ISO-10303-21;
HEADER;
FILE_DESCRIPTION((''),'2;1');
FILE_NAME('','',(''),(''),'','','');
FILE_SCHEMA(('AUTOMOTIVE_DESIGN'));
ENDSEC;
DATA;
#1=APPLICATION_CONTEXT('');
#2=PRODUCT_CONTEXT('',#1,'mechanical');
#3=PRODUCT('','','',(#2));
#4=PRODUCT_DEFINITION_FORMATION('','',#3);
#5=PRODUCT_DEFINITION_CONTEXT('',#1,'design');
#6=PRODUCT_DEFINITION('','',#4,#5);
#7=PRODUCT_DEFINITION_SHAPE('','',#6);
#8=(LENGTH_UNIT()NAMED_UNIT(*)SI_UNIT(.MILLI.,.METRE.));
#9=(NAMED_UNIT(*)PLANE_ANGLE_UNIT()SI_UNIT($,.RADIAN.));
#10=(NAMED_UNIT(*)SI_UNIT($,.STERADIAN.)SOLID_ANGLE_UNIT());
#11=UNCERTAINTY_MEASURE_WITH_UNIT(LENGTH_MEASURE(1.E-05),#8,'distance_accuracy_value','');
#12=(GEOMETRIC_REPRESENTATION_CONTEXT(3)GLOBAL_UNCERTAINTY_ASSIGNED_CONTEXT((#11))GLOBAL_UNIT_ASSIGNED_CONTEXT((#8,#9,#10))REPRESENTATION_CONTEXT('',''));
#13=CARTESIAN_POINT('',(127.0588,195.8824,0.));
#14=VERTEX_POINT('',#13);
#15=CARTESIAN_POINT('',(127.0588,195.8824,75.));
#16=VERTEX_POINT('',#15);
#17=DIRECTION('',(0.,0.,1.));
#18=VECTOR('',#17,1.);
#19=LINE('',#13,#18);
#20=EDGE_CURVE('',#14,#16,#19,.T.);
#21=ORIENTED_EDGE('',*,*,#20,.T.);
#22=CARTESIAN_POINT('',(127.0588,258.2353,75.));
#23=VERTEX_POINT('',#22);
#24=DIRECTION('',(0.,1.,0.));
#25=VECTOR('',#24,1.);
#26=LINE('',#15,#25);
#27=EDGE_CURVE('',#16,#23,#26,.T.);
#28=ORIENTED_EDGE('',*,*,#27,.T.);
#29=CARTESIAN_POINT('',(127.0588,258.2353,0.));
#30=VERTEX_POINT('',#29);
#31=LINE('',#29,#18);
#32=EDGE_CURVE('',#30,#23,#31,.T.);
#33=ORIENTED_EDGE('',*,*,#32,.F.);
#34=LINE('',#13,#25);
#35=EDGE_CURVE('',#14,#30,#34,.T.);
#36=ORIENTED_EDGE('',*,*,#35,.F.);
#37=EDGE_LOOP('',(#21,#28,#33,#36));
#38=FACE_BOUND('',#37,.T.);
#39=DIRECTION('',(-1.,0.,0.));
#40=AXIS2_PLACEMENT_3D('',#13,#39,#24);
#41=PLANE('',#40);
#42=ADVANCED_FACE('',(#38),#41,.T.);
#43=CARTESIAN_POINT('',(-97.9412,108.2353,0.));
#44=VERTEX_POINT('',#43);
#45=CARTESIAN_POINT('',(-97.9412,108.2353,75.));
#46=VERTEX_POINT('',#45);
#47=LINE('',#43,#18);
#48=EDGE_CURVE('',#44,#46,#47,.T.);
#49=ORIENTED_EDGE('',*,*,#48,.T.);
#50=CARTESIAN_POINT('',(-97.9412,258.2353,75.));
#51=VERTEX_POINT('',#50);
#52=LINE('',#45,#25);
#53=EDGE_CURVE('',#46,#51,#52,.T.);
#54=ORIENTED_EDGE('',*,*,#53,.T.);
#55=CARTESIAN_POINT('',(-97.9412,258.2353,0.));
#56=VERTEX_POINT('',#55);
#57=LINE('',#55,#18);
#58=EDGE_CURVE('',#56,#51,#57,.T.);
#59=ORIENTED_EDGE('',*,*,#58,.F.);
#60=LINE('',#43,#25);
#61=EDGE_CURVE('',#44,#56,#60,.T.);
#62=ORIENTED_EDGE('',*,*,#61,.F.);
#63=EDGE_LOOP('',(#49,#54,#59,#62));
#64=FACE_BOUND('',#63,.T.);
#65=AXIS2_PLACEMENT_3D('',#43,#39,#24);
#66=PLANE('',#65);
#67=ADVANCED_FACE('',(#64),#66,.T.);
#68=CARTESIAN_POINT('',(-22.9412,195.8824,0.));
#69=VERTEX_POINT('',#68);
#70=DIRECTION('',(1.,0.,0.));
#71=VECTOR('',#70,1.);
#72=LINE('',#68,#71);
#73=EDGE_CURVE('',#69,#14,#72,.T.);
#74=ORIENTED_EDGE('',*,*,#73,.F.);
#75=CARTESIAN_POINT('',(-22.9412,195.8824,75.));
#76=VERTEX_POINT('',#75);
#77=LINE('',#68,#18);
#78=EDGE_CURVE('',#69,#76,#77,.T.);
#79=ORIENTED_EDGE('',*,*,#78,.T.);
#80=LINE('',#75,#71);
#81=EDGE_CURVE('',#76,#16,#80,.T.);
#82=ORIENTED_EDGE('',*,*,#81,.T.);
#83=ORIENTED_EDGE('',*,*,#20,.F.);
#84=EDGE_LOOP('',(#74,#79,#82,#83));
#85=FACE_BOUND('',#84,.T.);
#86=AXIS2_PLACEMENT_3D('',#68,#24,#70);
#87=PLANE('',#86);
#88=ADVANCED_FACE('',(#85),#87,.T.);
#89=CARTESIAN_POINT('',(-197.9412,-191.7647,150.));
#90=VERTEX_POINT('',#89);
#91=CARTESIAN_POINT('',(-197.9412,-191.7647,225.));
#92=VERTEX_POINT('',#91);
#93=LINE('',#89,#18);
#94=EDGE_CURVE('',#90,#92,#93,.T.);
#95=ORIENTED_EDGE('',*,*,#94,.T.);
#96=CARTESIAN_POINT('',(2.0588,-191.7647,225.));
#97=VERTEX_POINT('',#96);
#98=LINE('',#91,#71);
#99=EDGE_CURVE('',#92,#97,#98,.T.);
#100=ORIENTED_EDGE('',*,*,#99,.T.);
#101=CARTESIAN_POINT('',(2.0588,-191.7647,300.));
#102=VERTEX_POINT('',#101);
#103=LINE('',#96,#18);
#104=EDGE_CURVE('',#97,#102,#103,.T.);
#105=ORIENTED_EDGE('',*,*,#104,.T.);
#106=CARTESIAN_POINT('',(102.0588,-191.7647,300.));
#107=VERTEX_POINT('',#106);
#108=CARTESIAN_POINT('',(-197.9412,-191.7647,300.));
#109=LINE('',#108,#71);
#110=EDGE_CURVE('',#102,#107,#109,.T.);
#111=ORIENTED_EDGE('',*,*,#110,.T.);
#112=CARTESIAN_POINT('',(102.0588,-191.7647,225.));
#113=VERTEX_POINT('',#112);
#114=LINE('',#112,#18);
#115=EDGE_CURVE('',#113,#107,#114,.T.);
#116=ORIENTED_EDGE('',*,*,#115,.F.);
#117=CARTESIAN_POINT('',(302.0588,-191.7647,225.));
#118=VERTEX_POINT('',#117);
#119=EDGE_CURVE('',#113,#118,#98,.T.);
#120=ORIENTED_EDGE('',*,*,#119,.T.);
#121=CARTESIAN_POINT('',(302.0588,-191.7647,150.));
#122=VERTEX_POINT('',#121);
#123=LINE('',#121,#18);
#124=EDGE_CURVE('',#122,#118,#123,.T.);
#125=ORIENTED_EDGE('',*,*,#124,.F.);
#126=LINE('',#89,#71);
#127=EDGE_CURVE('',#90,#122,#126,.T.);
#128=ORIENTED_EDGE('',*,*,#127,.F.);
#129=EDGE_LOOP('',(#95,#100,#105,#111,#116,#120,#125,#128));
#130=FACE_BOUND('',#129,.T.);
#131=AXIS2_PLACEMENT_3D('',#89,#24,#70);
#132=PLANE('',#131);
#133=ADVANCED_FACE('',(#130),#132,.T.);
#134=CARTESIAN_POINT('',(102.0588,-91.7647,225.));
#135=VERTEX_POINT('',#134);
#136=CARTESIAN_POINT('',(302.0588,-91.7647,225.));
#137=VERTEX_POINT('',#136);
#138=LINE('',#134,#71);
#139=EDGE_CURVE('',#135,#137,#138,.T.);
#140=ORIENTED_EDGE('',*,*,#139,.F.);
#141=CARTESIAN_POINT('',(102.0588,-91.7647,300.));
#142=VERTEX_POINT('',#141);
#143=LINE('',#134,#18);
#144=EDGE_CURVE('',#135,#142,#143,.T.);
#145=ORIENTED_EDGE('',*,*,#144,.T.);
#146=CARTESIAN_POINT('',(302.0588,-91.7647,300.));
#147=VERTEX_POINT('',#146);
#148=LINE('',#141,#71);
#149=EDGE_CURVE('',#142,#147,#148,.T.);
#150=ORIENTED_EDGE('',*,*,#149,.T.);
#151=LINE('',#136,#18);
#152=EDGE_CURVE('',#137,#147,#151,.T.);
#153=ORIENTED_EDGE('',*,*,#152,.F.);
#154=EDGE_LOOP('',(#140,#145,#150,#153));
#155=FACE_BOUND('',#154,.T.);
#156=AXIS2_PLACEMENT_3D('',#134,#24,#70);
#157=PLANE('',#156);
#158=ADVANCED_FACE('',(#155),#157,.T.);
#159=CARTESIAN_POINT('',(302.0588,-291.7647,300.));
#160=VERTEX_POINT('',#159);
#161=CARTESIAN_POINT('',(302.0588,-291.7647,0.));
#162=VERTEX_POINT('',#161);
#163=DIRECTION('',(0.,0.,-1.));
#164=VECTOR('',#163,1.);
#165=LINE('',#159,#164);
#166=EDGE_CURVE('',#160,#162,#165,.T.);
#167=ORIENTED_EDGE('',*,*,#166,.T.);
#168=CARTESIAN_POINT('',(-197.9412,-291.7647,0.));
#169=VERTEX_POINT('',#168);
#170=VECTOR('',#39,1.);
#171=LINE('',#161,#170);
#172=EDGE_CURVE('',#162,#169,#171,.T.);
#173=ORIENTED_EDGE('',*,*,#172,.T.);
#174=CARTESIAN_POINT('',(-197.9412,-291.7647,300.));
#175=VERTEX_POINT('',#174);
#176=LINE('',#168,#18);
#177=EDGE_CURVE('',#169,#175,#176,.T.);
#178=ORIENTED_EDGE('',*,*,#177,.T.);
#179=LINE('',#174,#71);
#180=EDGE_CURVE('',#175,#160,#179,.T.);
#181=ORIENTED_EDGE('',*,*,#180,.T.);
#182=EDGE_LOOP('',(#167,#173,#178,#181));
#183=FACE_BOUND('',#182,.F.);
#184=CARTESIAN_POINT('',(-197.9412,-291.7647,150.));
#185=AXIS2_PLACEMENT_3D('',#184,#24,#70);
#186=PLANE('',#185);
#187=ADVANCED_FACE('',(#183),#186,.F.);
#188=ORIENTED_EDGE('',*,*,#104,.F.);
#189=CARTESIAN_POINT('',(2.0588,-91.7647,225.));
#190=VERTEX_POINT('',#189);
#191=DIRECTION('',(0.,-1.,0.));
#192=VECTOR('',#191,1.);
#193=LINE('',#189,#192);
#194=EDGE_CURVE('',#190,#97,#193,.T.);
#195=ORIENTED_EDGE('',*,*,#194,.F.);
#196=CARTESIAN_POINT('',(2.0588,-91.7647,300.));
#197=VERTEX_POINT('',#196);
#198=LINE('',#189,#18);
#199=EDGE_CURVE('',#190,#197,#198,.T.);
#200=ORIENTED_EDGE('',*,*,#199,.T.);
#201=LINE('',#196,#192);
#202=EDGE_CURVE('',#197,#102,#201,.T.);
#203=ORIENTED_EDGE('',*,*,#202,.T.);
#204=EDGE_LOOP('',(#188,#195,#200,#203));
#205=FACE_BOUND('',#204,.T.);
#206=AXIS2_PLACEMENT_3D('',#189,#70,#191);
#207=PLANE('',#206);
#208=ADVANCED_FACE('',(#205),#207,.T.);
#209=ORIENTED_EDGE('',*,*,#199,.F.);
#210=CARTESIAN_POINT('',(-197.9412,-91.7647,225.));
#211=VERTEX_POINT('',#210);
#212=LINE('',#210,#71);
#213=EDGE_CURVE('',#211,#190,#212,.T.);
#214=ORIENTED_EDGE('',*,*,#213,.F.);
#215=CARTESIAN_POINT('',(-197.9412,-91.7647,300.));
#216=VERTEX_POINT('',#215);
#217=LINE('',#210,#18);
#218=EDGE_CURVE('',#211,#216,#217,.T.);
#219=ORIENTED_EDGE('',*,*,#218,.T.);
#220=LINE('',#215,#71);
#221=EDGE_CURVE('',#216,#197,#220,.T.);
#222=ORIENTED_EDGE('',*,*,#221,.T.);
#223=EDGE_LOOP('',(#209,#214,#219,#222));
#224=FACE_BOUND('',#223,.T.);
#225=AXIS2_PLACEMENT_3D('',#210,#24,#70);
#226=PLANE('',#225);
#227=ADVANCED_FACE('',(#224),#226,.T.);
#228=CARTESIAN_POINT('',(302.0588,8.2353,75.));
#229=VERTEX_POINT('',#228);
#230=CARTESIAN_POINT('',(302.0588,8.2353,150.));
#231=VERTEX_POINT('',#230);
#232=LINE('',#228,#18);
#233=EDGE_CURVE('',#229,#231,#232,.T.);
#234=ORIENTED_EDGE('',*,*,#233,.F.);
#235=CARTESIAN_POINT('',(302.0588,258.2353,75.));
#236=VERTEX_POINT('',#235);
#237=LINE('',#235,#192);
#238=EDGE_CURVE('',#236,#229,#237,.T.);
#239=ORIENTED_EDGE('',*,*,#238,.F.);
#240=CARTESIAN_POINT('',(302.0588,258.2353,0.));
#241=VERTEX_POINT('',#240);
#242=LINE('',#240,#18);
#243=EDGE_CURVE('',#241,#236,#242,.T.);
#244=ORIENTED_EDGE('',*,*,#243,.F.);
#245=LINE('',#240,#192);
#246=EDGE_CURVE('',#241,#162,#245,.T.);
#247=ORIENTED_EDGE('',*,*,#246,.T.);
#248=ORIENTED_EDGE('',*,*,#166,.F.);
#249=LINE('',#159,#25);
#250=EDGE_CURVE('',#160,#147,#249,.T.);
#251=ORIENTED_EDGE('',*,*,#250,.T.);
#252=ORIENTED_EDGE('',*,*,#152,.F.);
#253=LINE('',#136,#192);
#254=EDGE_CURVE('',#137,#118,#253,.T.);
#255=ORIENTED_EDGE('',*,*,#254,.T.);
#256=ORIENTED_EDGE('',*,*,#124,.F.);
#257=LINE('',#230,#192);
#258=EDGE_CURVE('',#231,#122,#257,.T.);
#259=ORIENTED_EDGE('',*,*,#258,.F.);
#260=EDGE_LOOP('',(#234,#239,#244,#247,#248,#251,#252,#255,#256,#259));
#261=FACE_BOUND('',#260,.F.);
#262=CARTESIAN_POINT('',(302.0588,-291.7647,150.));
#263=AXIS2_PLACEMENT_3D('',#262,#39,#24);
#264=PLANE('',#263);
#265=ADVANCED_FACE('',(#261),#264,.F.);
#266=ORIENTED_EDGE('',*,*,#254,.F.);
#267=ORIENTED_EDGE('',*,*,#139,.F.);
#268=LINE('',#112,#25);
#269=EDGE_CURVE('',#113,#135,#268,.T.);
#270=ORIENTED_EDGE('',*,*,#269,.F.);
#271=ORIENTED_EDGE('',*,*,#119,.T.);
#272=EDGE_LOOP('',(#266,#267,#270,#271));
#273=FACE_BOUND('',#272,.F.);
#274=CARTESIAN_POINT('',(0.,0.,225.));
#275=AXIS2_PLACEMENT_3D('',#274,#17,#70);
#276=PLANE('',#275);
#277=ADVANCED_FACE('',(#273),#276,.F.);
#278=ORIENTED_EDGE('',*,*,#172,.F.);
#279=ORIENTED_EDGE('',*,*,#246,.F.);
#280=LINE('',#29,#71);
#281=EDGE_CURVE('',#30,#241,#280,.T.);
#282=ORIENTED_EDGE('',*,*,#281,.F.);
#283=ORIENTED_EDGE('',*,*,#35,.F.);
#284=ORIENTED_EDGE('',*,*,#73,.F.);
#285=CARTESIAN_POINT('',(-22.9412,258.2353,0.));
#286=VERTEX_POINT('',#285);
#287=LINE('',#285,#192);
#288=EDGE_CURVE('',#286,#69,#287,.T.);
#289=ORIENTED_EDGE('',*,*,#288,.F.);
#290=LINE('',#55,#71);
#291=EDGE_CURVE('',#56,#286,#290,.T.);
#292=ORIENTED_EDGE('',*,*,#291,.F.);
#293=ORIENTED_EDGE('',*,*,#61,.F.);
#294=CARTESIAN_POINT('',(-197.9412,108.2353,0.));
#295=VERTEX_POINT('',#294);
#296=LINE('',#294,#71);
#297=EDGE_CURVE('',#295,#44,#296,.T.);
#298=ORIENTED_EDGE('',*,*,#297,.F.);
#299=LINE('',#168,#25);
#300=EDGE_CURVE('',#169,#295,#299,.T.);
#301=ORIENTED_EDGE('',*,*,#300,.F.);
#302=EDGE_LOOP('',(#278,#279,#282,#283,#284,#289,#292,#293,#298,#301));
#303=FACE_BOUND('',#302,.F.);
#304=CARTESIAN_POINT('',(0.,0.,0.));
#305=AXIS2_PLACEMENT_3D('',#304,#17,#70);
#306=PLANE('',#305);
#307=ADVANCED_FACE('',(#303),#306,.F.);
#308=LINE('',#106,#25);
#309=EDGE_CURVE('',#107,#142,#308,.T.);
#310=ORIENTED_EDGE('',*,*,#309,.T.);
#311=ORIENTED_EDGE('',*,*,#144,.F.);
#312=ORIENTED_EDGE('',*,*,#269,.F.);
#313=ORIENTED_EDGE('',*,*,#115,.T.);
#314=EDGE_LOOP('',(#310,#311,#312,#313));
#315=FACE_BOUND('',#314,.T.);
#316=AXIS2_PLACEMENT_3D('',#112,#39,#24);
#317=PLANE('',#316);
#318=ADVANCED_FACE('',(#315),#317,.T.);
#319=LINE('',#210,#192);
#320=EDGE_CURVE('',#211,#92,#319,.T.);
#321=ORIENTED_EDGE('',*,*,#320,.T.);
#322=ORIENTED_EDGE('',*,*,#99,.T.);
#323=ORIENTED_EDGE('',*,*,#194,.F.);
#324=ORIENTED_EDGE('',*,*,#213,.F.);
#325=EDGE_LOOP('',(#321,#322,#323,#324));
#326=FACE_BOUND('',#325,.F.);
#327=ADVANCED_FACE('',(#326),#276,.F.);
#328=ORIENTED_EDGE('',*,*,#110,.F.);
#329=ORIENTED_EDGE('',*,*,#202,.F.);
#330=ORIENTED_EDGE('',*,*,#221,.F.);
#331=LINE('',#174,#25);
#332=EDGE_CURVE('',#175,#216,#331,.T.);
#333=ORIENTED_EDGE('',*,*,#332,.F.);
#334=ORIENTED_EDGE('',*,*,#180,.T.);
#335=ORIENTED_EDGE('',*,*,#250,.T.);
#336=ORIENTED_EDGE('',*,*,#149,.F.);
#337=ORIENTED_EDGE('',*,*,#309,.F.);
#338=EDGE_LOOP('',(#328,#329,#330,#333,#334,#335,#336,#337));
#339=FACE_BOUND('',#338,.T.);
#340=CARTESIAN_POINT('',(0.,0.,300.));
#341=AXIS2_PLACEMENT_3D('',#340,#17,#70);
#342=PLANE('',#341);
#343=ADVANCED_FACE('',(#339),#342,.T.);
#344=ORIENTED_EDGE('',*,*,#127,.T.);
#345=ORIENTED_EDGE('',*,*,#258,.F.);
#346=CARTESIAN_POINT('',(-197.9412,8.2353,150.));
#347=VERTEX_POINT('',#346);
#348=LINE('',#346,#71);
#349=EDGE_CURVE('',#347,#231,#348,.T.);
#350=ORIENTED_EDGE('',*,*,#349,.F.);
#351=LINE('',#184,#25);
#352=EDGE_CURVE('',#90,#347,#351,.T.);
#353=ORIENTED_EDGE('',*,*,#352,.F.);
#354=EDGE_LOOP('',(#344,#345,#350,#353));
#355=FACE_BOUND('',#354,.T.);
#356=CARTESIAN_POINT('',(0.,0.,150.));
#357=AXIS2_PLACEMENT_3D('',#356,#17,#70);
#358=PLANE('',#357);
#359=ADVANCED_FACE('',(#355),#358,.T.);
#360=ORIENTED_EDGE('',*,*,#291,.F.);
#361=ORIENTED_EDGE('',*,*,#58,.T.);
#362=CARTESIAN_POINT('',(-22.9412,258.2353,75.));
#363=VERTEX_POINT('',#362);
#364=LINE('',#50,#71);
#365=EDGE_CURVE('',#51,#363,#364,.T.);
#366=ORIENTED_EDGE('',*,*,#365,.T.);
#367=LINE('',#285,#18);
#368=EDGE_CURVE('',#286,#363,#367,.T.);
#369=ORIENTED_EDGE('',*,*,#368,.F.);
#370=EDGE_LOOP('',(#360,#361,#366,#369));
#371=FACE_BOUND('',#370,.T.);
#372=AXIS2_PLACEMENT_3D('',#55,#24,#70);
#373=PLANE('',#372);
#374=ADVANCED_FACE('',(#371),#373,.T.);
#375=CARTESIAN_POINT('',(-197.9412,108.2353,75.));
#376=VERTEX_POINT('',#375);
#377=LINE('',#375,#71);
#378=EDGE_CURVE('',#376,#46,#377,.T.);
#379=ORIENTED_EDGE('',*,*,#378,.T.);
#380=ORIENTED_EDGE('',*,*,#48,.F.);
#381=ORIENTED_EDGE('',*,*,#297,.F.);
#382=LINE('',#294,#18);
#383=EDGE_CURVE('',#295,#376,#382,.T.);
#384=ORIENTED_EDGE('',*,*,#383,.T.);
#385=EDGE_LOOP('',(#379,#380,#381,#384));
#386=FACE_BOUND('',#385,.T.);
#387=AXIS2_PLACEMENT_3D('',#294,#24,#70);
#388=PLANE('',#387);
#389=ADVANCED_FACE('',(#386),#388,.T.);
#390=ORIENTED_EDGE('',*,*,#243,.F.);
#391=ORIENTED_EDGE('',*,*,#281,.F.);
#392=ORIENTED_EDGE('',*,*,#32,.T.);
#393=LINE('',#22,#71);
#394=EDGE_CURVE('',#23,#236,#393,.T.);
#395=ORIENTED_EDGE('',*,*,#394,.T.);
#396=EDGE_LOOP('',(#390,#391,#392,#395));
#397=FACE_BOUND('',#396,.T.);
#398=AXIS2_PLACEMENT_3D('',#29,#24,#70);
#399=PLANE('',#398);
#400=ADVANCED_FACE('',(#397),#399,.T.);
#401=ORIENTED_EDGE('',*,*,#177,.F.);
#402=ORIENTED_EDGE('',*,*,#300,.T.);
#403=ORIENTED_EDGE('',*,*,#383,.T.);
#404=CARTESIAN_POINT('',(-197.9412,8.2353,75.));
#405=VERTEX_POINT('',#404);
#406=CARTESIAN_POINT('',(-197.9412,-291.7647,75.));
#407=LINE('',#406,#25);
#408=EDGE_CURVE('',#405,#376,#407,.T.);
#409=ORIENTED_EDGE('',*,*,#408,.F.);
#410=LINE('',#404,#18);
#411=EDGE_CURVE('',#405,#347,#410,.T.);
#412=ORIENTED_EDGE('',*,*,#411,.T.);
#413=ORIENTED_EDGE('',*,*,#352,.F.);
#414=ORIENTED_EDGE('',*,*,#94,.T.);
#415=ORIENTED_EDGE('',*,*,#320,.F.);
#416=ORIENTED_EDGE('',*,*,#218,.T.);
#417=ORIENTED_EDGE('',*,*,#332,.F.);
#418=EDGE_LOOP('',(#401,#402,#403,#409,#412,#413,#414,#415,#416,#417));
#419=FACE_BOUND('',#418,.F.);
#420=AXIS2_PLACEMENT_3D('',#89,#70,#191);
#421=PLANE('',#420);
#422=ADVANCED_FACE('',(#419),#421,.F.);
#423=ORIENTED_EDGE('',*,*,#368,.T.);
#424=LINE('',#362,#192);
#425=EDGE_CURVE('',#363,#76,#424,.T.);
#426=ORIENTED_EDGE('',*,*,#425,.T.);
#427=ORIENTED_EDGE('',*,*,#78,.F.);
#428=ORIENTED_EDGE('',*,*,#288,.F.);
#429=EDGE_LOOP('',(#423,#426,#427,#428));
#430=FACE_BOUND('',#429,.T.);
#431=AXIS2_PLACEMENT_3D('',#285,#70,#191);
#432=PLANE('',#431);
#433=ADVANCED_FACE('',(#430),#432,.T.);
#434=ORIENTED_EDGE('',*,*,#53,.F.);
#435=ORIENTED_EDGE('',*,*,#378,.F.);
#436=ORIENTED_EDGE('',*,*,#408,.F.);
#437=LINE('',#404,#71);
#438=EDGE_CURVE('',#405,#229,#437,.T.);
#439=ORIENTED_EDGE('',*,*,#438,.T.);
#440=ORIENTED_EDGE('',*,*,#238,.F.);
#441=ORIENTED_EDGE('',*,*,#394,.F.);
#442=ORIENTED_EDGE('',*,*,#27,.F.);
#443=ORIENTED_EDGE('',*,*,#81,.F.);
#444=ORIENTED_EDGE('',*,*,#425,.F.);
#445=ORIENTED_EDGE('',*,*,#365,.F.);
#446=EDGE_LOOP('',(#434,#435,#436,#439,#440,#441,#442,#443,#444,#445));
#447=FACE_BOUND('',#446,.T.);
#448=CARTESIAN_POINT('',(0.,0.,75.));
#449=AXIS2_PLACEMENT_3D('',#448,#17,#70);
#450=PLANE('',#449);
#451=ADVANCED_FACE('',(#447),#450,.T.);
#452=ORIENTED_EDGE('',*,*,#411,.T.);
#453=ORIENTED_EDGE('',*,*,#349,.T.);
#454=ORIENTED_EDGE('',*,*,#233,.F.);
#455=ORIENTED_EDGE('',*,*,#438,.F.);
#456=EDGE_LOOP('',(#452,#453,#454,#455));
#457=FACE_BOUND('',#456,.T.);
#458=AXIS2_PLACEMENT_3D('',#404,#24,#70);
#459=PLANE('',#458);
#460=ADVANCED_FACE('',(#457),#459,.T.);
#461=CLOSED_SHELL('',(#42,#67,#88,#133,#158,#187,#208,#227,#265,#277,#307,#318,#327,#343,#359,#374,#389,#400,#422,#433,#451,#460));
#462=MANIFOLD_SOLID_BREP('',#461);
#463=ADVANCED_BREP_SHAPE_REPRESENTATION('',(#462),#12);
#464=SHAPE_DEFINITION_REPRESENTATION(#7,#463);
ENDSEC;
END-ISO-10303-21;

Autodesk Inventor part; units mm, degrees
ref_plane "YZ Plane" through (0, 0, 0) normal (1, 0, 0) x (0, 1, 0)
ref_plane "XZ Plane" through (0, 0, 0) normal (0, 1, 0) x (-1, 0, 0)
sketch "Sketch1" plane through (0, 0, 0) normal (0, 0, 1) x (1, 0, 0)
  line L0 (-197.9412, -291.7647) -> (-197.9412, 108.2353)
  line L1 (-197.9412, 108.2353) -> (-97.9412, 108.2353)
  line L2 (-97.9412, 108.2353) -> (-97.9412, 258.2353)
  line L3 (-97.9412, 258.2353) -> (-22.9412, 258.2353)
  line L4 (-22.9412, 258.2353) -> (-22.9412, 195.8824)
  line L5 (-22.9412, 195.8824) -> (127.0588, 195.8824)
  line L6 (127.0588, 195.8824) -> (127.0588, 258.2353)
  line L7 (127.0588, 258.2353) -> (302.0588, 258.2353)
  line L8 (302.0588, 258.2353) -> (302.0588, -291.7647)
  line L9 (302.0588, -291.7647) -> (-197.9412, -291.7647)
  point P0 (0, 0)
  dimension "d0" = 100
  dimension "d1" = 75
  dimension "d2" = 150
  dimension "d3" = 500
  dimension "d4" = 400
  dimension "d5" = 550
extrude "Extrusion1" add sketch "Sketch1" along normal blind 75
sketch "Sketch2" plane through (0, 0, 75) normal (0, 0, 1) x (1, 0, 0)
  point P0 (0, 0)
ref_plane "Work Plane1" through (0, 0, 75) normal (0, 0, 1) x (1, 0, 0)
sketch "Sketch3" plane through (0, 0, 75) normal (0, 0, 1) x (1, 0, 0)
  line L0 (-197.9412, -291.7647) -> (-197.9412, 8.2353)
  line L1 (-197.9412, 8.2353) -> (302.0588, 8.2353)
  line L2 (302.0588, 8.2353) -> (302.0588, -291.7647)
  line L3 (302.0588, -291.7647) -> (-197.9412, -291.7647)
  line L4 (-197.9412, -291.7647) -> (302.0588, -291.7647) projected
  line L5 (-197.9412, 108.2353) -> (-197.9412, -291.7647) projected
  point P0 (0, 0)
  dimension "d9" = 300
  dimension "d10" = 500
extrude "Extrusion2" add sketch "Sketch3" along normal blind 75
ref_plane "Work Plane2" through (0, 0, 150) normal (0, 0, 1) x (1, 0, 0)
sketch "Sketch4" plane through (0, 0, 150) normal (0, 0, 1) x (1, 0, 0)
  line L0 (-197.9412, 108.2353) -> (-197.9412, -291.7647) projected
  line L1 (-197.9412, -191.7647) -> (302.0588, -191.7647)
  line L2 (302.0588, -291.7647) -> (302.0588, 258.2353) projected
  line L3 (-197.9412, -291.7647) -> (302.0588, -291.7647) projected
  point P0 (0, 0)
  dimension "d14" = 100
extrude "Extrusion3" add sketch "Sketch4" along normal blind 75
ref_plane "Work Plane3" through (0, 0, 225) normal (0, 0, 1) x (1, 0, 0)
sketch "Sketch5" plane through (0, 0, 225) normal (0, 0, 1) x (1, 0, 0)
  line L0 (-197.9412, 8.2353) -> (-197.9412, -191.7647) projected
  line L1 (-197.9412, -91.7647) -> (2.0588, -91.7647)
  line L2 (2.0588, -91.7647) -> (2.0588, -191.7647)
  line L3 (-197.9412, -191.7647) -> (302.0588, -191.7647) projected
  line L4 (102.0588, -191.7647) -> (102.0588, -91.7647)
  line L5 (102.0588, -91.7647) -> (302.0588, -91.7647)
  line L6 (302.0588, -191.7647) -> (-197.9412, -191.7647) projected
  line L7 (302.0588, -91.7647) -> (302.0588, -191.7647)
  line L8 (302.0588, -191.7647) -> (302.0588, -291.7647)
  line L9 (-197.9412, -291.7647) -> (302.0588, -291.7647) projected
  line L10 (302.0588, -291.7647) -> (-197.9412, -291.7647)
  line L11 (-197.9412, -291.7647) -> (-197.9412, -91.7647)
  line L12 (2.0588, -191.7647) -> (102.0588, -191.7647)
  point P0 (0, 0)
  dimension "d18" = 200
  dimension "d19" = 200
  dimension "d20" = 100
  dimension "d21" = 100
extrude "Extrusion4" add sketch "Sketch5" along normal blind 75
properties part number "BT011"
